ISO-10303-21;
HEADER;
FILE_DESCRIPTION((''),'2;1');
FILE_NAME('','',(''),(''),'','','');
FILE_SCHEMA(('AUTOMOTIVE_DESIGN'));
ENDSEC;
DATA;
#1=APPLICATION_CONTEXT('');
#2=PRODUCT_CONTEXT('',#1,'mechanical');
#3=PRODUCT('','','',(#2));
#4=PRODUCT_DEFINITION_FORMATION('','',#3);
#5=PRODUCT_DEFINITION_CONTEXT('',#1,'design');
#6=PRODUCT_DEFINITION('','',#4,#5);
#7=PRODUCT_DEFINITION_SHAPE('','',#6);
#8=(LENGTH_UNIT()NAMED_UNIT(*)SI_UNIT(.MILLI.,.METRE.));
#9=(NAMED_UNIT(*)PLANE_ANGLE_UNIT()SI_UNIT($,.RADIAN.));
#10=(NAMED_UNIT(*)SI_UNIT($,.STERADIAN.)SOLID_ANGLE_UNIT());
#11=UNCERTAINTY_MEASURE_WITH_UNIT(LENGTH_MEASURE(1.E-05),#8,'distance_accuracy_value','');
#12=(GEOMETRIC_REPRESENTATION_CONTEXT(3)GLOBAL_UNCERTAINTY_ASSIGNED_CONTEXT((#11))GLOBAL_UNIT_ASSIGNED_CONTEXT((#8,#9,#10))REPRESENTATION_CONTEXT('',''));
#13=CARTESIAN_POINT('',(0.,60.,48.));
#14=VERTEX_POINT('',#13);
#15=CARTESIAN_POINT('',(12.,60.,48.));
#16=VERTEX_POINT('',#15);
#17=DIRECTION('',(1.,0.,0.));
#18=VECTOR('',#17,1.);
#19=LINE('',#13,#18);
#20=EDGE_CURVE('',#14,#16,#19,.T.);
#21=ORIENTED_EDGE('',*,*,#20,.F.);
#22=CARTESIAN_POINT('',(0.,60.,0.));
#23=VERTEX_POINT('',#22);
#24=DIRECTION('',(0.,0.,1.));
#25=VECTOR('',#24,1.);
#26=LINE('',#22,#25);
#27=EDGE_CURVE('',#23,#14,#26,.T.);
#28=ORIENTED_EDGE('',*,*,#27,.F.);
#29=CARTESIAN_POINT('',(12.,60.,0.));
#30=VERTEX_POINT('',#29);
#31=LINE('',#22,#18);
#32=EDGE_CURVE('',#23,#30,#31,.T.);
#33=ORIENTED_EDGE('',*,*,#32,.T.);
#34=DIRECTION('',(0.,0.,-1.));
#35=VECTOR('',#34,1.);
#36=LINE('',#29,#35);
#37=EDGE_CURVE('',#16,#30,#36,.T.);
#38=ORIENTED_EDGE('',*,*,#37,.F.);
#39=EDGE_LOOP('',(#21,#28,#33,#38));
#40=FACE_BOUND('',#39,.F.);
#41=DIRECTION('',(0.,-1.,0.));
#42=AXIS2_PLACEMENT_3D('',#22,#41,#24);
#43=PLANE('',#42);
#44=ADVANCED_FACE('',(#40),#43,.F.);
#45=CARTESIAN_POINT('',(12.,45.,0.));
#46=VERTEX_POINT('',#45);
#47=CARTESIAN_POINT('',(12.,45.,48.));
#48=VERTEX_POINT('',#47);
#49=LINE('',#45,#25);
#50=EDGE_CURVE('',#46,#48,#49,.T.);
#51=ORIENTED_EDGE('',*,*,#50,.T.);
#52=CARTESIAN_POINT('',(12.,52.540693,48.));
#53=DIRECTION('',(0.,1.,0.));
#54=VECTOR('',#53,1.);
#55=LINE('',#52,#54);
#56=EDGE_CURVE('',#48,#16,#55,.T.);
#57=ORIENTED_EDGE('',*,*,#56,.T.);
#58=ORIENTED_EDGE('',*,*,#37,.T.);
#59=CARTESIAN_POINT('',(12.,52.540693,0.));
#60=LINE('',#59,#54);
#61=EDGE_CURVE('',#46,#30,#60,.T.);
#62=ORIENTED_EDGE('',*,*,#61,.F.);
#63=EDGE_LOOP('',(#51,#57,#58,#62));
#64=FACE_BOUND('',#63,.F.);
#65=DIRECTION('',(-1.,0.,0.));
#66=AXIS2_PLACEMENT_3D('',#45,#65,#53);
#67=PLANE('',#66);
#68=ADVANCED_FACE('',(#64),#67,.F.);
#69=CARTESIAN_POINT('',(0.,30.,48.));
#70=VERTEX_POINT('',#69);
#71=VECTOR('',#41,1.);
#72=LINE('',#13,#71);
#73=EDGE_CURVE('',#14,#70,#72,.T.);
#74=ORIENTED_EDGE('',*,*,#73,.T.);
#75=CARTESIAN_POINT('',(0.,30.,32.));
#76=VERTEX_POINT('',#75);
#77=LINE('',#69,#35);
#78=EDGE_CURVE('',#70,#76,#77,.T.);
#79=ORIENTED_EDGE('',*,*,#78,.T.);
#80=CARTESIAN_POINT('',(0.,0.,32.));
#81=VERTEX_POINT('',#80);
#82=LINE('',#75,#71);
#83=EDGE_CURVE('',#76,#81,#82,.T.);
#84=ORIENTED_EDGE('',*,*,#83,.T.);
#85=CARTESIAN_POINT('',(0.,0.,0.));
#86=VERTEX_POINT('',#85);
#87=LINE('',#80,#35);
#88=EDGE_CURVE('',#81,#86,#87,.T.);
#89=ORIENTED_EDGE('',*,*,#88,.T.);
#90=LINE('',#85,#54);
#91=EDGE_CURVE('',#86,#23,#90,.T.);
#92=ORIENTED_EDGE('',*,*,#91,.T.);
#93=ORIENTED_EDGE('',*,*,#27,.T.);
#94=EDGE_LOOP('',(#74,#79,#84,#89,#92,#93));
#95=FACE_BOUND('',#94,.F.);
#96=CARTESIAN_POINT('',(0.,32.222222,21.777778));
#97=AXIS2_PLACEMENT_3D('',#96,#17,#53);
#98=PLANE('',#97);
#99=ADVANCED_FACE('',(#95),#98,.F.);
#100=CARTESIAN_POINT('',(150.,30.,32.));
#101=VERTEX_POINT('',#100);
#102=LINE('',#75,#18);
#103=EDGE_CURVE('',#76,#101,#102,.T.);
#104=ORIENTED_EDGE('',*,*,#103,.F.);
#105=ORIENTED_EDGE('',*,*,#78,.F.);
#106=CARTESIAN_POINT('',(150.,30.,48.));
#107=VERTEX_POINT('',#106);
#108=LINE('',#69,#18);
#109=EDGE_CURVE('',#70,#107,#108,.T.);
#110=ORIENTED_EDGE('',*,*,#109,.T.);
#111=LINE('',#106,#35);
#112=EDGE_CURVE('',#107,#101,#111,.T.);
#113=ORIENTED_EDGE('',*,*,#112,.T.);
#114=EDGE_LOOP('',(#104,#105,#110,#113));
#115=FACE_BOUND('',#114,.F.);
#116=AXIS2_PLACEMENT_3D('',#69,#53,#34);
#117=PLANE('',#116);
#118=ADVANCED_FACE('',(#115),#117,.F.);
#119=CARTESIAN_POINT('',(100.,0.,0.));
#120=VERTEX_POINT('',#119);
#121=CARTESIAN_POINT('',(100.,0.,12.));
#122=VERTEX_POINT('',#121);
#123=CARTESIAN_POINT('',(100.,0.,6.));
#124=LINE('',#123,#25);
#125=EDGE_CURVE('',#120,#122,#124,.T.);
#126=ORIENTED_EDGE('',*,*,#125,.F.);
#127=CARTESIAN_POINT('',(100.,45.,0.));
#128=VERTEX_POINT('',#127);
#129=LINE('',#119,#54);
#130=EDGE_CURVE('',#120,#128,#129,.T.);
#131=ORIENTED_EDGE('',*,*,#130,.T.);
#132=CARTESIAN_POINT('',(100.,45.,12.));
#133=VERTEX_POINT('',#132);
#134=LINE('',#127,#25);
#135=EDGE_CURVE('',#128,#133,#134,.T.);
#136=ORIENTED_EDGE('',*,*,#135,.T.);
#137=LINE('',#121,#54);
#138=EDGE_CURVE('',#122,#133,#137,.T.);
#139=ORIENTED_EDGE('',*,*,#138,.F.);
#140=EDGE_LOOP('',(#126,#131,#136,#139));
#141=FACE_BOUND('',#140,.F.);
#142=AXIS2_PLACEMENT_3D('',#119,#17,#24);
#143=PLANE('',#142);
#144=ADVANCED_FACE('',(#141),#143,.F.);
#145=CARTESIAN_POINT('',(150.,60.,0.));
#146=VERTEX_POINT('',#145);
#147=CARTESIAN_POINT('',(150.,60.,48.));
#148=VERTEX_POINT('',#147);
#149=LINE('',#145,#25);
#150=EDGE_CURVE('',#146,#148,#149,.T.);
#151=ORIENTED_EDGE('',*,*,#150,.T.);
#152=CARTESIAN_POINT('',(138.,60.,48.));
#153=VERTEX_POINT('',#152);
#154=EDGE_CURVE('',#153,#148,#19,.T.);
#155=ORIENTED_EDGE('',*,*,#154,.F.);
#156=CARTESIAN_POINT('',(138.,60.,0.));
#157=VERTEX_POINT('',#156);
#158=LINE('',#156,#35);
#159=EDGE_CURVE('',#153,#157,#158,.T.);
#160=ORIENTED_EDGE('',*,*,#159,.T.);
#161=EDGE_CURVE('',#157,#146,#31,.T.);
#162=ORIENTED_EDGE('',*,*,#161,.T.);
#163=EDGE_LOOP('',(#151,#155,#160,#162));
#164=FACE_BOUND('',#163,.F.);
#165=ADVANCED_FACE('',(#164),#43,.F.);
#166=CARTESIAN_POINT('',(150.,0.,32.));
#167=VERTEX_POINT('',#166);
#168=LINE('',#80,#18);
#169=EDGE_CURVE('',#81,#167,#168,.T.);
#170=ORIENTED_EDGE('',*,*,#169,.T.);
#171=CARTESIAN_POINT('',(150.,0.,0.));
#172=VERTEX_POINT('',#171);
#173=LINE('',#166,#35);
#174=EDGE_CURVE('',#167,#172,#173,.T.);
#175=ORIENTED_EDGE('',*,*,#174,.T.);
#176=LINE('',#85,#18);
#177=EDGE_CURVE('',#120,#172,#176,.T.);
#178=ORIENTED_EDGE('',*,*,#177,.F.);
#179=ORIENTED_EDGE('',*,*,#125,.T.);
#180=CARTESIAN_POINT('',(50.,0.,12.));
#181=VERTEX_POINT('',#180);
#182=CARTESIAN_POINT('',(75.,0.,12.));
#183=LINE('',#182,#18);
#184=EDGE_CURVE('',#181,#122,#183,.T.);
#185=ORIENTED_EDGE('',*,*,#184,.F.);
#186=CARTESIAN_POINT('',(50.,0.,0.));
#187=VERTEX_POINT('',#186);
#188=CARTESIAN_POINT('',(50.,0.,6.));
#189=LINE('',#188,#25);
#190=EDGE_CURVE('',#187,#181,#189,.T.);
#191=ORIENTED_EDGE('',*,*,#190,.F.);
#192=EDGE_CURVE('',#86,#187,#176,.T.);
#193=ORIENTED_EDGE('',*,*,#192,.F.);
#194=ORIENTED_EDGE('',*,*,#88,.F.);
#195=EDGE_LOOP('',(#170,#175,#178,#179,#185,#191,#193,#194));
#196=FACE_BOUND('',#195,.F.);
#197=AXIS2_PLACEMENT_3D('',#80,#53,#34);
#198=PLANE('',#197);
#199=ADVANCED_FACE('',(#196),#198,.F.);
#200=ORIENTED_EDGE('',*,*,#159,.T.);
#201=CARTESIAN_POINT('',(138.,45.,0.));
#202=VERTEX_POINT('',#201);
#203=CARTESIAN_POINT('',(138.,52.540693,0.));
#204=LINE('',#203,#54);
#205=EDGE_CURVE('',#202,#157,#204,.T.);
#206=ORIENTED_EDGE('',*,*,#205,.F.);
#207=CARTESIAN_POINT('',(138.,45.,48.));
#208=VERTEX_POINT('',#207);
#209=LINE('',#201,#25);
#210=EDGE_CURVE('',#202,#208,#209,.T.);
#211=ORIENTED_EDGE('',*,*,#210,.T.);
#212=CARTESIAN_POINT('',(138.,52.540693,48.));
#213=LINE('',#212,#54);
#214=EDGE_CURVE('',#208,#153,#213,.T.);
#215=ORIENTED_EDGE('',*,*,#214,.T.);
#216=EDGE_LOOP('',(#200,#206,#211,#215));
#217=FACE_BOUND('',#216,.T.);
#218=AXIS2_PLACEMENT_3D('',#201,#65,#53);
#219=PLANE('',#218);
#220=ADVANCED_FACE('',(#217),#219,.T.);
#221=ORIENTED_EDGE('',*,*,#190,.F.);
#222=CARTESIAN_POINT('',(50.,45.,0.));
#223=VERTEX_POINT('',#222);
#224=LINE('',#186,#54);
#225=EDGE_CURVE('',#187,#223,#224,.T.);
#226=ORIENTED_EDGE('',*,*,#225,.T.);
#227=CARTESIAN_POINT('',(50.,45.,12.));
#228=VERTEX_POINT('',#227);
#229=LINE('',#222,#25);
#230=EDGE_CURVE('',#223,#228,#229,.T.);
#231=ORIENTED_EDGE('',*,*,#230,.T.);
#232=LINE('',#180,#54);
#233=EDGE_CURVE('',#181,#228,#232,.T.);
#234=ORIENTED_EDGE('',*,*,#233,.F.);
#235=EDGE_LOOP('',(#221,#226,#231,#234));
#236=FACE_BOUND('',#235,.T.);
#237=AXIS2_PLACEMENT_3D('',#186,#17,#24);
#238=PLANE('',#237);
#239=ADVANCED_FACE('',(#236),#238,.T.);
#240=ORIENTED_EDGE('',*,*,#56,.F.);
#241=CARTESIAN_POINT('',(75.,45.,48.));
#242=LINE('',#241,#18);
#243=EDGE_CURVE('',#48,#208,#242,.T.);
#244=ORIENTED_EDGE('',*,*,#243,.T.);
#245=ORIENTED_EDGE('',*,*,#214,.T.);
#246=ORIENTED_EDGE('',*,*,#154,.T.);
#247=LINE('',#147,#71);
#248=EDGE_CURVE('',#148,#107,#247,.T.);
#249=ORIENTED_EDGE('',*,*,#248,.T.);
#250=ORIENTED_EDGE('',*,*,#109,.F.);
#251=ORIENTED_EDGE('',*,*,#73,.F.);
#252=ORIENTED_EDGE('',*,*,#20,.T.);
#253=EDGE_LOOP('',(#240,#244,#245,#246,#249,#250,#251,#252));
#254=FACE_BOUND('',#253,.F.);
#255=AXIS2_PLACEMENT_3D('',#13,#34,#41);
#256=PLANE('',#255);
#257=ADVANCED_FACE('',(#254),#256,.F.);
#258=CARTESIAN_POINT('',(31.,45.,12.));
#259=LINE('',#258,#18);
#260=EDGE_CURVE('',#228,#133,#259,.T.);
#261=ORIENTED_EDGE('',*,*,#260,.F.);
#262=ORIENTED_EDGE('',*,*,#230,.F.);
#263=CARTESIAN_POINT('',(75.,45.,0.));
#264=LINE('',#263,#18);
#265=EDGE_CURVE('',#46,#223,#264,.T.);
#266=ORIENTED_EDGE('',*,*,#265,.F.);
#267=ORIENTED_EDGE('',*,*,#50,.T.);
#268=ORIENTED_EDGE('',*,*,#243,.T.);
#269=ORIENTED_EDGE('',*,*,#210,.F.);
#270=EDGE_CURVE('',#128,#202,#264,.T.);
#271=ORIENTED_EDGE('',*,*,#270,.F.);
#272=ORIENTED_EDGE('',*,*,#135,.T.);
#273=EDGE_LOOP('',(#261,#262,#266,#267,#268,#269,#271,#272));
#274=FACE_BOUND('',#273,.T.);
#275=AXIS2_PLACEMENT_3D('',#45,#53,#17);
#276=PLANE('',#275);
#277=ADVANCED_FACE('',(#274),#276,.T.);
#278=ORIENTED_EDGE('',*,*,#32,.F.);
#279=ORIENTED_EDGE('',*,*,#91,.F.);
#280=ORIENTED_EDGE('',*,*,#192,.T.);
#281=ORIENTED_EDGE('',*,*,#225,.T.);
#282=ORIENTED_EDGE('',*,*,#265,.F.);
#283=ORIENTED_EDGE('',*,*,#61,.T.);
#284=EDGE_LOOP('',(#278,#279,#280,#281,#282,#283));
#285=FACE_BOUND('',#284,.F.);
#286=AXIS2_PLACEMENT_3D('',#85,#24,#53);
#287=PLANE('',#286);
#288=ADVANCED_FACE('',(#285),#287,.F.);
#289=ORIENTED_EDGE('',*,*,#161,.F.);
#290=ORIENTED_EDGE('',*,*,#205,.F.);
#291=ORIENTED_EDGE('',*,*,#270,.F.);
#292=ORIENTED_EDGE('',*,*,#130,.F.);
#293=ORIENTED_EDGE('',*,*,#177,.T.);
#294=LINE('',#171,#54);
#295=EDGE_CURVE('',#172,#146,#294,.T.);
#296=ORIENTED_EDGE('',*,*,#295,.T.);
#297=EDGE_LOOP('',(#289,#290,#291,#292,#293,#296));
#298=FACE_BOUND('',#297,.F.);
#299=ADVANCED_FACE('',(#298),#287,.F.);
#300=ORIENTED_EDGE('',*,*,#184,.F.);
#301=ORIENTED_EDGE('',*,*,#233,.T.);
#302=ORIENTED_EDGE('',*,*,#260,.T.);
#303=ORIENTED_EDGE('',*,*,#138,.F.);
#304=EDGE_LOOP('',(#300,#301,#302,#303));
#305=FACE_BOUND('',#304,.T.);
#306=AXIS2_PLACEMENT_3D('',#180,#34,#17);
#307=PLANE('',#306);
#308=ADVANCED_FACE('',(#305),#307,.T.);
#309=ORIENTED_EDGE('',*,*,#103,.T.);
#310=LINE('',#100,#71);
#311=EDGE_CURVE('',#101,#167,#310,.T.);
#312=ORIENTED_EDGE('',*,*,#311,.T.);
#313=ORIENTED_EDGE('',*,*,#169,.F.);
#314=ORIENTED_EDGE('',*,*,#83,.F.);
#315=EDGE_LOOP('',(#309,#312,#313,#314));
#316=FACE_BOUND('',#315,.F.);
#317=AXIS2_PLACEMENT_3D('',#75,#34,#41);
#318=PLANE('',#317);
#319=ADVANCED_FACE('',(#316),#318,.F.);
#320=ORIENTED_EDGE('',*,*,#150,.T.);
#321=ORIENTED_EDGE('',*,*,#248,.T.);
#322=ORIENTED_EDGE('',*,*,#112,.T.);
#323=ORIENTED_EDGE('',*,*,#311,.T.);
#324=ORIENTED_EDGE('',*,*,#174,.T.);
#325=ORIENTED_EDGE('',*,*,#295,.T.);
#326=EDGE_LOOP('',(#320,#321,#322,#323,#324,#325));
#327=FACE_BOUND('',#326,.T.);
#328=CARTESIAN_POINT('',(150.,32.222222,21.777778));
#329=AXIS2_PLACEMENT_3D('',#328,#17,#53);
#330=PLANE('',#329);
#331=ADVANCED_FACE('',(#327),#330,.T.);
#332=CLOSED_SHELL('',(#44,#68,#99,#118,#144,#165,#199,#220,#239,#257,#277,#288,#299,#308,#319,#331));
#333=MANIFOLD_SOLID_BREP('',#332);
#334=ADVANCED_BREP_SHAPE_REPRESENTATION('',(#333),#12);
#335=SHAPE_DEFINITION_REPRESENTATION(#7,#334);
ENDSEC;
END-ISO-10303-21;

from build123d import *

# Parameters (mm, degrees)
F1_DEPTH = 150
F2_W     = 50
F2_H     = 12
F3_DEPTH = 60
F4_W     = 126
F4_H     = 15.081386
F5_DEPTH = 48


with BuildPart() as f1:
    # F0 (on Right) → F1 (new body)
    with BuildSketch(Plane.YZ):
        Polygon((0, 32), (0, 0), (60, 0), (60, 48), (30, 48), (30, 32), align=None)
    extrude(amount=F1_DEPTH)

    # F2 (on Front) → F3 (cut)
    with BuildSketch(Plane.XZ):
        with Locations((75, 6)):
            Rectangle(F2_W, F2_H)
    extrude(amount=-F3_DEPTH, mode=Mode.SUBTRACT)

    # F4 (on Top) → F5 (cut)
    with BuildSketch(Plane.XY):
        with Locations((75, 52.540693)):
            Rectangle(F4_W, F4_H)
    extrude(amount=F5_DEPTH, mode=Mode.SUBTRACT)


solid = f1.part
